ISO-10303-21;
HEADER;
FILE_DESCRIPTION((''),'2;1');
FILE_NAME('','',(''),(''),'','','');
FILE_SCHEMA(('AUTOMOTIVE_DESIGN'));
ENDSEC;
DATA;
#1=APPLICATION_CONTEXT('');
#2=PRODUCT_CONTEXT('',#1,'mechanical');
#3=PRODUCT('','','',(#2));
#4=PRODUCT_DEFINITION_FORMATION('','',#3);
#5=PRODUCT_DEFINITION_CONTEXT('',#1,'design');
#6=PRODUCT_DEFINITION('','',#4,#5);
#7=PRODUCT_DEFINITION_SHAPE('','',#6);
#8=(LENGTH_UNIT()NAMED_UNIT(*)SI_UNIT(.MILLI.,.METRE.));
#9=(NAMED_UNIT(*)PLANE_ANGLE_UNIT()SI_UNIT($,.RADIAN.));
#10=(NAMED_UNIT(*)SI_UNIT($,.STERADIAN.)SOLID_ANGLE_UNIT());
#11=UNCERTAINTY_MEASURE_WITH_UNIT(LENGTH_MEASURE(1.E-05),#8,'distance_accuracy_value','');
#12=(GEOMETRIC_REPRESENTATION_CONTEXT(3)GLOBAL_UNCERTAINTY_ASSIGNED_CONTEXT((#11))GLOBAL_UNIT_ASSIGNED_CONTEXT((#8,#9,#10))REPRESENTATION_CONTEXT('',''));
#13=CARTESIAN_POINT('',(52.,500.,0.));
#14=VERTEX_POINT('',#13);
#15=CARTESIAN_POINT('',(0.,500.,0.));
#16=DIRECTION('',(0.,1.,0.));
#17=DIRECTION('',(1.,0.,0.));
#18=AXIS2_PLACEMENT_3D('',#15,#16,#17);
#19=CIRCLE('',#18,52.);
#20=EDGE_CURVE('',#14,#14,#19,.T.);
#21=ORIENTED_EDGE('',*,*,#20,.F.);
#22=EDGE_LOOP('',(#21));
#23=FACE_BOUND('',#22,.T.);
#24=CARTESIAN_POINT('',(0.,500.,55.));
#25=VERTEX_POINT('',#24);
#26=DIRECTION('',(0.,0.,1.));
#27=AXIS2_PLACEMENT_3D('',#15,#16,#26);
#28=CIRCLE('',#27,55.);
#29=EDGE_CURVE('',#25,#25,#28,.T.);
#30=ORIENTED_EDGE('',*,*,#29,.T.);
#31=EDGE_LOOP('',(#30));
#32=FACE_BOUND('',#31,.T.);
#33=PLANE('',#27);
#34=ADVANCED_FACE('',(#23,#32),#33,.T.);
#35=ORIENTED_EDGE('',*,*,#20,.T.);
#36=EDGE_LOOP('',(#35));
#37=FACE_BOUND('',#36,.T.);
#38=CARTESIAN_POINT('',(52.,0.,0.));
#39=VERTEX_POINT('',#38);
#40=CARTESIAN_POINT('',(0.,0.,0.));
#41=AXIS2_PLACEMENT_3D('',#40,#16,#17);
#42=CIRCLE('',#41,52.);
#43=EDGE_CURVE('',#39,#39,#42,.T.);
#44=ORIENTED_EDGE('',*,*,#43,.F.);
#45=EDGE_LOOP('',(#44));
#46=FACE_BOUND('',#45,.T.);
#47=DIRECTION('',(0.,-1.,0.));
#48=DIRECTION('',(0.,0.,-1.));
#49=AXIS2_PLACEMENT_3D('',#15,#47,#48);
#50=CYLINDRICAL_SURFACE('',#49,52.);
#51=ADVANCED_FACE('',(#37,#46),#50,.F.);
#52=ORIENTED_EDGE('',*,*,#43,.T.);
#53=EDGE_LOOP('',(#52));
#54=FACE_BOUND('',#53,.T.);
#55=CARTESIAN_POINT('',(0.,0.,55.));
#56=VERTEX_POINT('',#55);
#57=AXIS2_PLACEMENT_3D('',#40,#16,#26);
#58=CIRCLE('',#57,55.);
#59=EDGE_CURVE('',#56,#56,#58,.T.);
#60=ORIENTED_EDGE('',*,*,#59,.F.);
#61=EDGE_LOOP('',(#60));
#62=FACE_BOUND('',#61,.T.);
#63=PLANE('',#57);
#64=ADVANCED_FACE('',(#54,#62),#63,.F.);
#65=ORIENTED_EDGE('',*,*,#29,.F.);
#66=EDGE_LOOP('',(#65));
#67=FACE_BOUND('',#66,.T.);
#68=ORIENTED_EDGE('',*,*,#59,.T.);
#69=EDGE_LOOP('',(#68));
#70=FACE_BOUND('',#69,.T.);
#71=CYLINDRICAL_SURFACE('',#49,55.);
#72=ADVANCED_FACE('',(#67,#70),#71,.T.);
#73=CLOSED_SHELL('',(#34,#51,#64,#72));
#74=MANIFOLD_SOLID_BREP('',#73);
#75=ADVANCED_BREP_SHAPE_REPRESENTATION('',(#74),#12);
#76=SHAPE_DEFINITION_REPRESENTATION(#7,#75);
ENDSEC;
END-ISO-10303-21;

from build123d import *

# Parameters (mm, degrees)
SKETCH_1_R      = 55
SKETCH_1_R_2    = 52
EXTRUDE_1_DEPTH = 500


with BuildPart() as part:
    # Эскиз1 → Вытянуть-Тонкостенный1 (new body)
    with BuildSketch(Plane(origin=(0, 0, 0), x_dir=(1, 0, 0), z_dir=(0, 1, 0))):
        Circle(SKETCH_1_R)
        Circle(SKETCH_1_R_2, mode=Mode.SUBTRACT)
    extrude(amount=EXTRUDE_1_DEPTH)


solid = part.part
